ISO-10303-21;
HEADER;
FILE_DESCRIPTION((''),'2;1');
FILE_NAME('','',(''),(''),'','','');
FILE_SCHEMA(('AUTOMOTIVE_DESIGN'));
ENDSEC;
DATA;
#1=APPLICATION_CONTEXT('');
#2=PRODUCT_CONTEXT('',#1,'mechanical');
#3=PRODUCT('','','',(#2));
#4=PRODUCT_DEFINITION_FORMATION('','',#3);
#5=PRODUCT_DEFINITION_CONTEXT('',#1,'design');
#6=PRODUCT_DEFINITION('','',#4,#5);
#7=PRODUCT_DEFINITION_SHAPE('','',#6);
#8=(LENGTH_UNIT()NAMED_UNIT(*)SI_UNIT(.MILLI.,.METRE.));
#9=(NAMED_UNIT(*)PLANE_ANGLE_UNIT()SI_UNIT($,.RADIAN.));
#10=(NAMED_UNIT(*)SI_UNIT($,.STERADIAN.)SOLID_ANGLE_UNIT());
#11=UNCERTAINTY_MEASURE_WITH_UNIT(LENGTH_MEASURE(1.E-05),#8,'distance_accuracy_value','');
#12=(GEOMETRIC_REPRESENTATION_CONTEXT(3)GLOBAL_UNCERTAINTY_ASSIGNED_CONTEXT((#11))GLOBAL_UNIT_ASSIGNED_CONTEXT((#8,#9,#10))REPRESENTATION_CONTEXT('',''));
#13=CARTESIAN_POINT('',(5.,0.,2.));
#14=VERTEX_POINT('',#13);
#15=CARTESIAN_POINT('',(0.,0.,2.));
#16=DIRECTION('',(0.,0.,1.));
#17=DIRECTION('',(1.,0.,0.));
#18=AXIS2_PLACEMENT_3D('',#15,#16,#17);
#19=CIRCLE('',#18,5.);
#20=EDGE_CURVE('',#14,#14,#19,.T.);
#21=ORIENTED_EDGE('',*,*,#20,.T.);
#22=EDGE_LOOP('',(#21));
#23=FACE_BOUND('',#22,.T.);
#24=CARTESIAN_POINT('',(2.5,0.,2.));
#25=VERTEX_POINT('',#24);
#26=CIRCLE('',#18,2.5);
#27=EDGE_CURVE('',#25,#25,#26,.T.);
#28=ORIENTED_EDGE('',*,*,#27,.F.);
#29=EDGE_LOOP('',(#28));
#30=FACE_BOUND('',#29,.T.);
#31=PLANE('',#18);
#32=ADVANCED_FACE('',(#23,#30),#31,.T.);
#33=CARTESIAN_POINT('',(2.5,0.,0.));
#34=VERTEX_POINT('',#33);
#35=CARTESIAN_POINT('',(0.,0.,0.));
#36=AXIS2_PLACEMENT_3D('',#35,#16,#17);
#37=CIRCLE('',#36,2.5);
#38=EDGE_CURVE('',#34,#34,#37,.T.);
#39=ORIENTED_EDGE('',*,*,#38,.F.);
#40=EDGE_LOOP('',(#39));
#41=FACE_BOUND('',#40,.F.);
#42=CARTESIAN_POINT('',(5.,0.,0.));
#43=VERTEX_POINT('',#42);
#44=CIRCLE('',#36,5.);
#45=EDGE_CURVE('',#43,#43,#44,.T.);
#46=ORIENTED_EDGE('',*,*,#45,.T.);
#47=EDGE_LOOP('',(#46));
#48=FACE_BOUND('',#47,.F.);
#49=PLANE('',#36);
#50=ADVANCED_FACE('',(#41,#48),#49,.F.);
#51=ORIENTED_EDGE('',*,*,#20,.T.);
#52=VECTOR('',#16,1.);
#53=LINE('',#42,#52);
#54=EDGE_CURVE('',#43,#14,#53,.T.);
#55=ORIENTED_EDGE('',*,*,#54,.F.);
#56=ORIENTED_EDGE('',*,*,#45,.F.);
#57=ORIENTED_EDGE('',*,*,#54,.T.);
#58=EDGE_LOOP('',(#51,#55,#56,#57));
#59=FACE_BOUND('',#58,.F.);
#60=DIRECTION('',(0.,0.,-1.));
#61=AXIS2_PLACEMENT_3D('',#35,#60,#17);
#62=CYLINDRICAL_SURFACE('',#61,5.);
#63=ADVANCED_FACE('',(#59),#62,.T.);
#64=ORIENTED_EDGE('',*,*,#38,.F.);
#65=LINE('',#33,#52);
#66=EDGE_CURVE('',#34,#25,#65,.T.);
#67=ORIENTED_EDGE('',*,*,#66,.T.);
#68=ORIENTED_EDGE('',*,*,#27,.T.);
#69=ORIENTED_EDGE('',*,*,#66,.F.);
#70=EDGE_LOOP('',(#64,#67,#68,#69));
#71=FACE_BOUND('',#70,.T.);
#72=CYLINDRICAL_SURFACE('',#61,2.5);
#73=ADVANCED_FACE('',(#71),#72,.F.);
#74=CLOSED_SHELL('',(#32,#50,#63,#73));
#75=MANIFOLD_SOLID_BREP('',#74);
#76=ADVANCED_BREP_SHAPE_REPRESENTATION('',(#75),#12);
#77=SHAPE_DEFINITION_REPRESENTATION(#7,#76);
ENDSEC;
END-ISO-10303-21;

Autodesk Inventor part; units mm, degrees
sketch "Boceto1" plane through (0, 0, 0) normal (0, 0, 1) x (1, 0, 0)
  circle A0 centre (0, 0) radius 5
  circle A1 centre (0, 0) radius 2.5
  dimension "d0" = 10
  dimension "d1" = 5
extrude "Extrusión1" add sketch "Boceto1" along normal blind 2
sketch "Boceto2" plane through (0, 0, 0) normal (0, 0, -1) x (-1, 0, 0)
  point P0 (0, 0)
properties part number "Arandela" material "Plástico ABS"
